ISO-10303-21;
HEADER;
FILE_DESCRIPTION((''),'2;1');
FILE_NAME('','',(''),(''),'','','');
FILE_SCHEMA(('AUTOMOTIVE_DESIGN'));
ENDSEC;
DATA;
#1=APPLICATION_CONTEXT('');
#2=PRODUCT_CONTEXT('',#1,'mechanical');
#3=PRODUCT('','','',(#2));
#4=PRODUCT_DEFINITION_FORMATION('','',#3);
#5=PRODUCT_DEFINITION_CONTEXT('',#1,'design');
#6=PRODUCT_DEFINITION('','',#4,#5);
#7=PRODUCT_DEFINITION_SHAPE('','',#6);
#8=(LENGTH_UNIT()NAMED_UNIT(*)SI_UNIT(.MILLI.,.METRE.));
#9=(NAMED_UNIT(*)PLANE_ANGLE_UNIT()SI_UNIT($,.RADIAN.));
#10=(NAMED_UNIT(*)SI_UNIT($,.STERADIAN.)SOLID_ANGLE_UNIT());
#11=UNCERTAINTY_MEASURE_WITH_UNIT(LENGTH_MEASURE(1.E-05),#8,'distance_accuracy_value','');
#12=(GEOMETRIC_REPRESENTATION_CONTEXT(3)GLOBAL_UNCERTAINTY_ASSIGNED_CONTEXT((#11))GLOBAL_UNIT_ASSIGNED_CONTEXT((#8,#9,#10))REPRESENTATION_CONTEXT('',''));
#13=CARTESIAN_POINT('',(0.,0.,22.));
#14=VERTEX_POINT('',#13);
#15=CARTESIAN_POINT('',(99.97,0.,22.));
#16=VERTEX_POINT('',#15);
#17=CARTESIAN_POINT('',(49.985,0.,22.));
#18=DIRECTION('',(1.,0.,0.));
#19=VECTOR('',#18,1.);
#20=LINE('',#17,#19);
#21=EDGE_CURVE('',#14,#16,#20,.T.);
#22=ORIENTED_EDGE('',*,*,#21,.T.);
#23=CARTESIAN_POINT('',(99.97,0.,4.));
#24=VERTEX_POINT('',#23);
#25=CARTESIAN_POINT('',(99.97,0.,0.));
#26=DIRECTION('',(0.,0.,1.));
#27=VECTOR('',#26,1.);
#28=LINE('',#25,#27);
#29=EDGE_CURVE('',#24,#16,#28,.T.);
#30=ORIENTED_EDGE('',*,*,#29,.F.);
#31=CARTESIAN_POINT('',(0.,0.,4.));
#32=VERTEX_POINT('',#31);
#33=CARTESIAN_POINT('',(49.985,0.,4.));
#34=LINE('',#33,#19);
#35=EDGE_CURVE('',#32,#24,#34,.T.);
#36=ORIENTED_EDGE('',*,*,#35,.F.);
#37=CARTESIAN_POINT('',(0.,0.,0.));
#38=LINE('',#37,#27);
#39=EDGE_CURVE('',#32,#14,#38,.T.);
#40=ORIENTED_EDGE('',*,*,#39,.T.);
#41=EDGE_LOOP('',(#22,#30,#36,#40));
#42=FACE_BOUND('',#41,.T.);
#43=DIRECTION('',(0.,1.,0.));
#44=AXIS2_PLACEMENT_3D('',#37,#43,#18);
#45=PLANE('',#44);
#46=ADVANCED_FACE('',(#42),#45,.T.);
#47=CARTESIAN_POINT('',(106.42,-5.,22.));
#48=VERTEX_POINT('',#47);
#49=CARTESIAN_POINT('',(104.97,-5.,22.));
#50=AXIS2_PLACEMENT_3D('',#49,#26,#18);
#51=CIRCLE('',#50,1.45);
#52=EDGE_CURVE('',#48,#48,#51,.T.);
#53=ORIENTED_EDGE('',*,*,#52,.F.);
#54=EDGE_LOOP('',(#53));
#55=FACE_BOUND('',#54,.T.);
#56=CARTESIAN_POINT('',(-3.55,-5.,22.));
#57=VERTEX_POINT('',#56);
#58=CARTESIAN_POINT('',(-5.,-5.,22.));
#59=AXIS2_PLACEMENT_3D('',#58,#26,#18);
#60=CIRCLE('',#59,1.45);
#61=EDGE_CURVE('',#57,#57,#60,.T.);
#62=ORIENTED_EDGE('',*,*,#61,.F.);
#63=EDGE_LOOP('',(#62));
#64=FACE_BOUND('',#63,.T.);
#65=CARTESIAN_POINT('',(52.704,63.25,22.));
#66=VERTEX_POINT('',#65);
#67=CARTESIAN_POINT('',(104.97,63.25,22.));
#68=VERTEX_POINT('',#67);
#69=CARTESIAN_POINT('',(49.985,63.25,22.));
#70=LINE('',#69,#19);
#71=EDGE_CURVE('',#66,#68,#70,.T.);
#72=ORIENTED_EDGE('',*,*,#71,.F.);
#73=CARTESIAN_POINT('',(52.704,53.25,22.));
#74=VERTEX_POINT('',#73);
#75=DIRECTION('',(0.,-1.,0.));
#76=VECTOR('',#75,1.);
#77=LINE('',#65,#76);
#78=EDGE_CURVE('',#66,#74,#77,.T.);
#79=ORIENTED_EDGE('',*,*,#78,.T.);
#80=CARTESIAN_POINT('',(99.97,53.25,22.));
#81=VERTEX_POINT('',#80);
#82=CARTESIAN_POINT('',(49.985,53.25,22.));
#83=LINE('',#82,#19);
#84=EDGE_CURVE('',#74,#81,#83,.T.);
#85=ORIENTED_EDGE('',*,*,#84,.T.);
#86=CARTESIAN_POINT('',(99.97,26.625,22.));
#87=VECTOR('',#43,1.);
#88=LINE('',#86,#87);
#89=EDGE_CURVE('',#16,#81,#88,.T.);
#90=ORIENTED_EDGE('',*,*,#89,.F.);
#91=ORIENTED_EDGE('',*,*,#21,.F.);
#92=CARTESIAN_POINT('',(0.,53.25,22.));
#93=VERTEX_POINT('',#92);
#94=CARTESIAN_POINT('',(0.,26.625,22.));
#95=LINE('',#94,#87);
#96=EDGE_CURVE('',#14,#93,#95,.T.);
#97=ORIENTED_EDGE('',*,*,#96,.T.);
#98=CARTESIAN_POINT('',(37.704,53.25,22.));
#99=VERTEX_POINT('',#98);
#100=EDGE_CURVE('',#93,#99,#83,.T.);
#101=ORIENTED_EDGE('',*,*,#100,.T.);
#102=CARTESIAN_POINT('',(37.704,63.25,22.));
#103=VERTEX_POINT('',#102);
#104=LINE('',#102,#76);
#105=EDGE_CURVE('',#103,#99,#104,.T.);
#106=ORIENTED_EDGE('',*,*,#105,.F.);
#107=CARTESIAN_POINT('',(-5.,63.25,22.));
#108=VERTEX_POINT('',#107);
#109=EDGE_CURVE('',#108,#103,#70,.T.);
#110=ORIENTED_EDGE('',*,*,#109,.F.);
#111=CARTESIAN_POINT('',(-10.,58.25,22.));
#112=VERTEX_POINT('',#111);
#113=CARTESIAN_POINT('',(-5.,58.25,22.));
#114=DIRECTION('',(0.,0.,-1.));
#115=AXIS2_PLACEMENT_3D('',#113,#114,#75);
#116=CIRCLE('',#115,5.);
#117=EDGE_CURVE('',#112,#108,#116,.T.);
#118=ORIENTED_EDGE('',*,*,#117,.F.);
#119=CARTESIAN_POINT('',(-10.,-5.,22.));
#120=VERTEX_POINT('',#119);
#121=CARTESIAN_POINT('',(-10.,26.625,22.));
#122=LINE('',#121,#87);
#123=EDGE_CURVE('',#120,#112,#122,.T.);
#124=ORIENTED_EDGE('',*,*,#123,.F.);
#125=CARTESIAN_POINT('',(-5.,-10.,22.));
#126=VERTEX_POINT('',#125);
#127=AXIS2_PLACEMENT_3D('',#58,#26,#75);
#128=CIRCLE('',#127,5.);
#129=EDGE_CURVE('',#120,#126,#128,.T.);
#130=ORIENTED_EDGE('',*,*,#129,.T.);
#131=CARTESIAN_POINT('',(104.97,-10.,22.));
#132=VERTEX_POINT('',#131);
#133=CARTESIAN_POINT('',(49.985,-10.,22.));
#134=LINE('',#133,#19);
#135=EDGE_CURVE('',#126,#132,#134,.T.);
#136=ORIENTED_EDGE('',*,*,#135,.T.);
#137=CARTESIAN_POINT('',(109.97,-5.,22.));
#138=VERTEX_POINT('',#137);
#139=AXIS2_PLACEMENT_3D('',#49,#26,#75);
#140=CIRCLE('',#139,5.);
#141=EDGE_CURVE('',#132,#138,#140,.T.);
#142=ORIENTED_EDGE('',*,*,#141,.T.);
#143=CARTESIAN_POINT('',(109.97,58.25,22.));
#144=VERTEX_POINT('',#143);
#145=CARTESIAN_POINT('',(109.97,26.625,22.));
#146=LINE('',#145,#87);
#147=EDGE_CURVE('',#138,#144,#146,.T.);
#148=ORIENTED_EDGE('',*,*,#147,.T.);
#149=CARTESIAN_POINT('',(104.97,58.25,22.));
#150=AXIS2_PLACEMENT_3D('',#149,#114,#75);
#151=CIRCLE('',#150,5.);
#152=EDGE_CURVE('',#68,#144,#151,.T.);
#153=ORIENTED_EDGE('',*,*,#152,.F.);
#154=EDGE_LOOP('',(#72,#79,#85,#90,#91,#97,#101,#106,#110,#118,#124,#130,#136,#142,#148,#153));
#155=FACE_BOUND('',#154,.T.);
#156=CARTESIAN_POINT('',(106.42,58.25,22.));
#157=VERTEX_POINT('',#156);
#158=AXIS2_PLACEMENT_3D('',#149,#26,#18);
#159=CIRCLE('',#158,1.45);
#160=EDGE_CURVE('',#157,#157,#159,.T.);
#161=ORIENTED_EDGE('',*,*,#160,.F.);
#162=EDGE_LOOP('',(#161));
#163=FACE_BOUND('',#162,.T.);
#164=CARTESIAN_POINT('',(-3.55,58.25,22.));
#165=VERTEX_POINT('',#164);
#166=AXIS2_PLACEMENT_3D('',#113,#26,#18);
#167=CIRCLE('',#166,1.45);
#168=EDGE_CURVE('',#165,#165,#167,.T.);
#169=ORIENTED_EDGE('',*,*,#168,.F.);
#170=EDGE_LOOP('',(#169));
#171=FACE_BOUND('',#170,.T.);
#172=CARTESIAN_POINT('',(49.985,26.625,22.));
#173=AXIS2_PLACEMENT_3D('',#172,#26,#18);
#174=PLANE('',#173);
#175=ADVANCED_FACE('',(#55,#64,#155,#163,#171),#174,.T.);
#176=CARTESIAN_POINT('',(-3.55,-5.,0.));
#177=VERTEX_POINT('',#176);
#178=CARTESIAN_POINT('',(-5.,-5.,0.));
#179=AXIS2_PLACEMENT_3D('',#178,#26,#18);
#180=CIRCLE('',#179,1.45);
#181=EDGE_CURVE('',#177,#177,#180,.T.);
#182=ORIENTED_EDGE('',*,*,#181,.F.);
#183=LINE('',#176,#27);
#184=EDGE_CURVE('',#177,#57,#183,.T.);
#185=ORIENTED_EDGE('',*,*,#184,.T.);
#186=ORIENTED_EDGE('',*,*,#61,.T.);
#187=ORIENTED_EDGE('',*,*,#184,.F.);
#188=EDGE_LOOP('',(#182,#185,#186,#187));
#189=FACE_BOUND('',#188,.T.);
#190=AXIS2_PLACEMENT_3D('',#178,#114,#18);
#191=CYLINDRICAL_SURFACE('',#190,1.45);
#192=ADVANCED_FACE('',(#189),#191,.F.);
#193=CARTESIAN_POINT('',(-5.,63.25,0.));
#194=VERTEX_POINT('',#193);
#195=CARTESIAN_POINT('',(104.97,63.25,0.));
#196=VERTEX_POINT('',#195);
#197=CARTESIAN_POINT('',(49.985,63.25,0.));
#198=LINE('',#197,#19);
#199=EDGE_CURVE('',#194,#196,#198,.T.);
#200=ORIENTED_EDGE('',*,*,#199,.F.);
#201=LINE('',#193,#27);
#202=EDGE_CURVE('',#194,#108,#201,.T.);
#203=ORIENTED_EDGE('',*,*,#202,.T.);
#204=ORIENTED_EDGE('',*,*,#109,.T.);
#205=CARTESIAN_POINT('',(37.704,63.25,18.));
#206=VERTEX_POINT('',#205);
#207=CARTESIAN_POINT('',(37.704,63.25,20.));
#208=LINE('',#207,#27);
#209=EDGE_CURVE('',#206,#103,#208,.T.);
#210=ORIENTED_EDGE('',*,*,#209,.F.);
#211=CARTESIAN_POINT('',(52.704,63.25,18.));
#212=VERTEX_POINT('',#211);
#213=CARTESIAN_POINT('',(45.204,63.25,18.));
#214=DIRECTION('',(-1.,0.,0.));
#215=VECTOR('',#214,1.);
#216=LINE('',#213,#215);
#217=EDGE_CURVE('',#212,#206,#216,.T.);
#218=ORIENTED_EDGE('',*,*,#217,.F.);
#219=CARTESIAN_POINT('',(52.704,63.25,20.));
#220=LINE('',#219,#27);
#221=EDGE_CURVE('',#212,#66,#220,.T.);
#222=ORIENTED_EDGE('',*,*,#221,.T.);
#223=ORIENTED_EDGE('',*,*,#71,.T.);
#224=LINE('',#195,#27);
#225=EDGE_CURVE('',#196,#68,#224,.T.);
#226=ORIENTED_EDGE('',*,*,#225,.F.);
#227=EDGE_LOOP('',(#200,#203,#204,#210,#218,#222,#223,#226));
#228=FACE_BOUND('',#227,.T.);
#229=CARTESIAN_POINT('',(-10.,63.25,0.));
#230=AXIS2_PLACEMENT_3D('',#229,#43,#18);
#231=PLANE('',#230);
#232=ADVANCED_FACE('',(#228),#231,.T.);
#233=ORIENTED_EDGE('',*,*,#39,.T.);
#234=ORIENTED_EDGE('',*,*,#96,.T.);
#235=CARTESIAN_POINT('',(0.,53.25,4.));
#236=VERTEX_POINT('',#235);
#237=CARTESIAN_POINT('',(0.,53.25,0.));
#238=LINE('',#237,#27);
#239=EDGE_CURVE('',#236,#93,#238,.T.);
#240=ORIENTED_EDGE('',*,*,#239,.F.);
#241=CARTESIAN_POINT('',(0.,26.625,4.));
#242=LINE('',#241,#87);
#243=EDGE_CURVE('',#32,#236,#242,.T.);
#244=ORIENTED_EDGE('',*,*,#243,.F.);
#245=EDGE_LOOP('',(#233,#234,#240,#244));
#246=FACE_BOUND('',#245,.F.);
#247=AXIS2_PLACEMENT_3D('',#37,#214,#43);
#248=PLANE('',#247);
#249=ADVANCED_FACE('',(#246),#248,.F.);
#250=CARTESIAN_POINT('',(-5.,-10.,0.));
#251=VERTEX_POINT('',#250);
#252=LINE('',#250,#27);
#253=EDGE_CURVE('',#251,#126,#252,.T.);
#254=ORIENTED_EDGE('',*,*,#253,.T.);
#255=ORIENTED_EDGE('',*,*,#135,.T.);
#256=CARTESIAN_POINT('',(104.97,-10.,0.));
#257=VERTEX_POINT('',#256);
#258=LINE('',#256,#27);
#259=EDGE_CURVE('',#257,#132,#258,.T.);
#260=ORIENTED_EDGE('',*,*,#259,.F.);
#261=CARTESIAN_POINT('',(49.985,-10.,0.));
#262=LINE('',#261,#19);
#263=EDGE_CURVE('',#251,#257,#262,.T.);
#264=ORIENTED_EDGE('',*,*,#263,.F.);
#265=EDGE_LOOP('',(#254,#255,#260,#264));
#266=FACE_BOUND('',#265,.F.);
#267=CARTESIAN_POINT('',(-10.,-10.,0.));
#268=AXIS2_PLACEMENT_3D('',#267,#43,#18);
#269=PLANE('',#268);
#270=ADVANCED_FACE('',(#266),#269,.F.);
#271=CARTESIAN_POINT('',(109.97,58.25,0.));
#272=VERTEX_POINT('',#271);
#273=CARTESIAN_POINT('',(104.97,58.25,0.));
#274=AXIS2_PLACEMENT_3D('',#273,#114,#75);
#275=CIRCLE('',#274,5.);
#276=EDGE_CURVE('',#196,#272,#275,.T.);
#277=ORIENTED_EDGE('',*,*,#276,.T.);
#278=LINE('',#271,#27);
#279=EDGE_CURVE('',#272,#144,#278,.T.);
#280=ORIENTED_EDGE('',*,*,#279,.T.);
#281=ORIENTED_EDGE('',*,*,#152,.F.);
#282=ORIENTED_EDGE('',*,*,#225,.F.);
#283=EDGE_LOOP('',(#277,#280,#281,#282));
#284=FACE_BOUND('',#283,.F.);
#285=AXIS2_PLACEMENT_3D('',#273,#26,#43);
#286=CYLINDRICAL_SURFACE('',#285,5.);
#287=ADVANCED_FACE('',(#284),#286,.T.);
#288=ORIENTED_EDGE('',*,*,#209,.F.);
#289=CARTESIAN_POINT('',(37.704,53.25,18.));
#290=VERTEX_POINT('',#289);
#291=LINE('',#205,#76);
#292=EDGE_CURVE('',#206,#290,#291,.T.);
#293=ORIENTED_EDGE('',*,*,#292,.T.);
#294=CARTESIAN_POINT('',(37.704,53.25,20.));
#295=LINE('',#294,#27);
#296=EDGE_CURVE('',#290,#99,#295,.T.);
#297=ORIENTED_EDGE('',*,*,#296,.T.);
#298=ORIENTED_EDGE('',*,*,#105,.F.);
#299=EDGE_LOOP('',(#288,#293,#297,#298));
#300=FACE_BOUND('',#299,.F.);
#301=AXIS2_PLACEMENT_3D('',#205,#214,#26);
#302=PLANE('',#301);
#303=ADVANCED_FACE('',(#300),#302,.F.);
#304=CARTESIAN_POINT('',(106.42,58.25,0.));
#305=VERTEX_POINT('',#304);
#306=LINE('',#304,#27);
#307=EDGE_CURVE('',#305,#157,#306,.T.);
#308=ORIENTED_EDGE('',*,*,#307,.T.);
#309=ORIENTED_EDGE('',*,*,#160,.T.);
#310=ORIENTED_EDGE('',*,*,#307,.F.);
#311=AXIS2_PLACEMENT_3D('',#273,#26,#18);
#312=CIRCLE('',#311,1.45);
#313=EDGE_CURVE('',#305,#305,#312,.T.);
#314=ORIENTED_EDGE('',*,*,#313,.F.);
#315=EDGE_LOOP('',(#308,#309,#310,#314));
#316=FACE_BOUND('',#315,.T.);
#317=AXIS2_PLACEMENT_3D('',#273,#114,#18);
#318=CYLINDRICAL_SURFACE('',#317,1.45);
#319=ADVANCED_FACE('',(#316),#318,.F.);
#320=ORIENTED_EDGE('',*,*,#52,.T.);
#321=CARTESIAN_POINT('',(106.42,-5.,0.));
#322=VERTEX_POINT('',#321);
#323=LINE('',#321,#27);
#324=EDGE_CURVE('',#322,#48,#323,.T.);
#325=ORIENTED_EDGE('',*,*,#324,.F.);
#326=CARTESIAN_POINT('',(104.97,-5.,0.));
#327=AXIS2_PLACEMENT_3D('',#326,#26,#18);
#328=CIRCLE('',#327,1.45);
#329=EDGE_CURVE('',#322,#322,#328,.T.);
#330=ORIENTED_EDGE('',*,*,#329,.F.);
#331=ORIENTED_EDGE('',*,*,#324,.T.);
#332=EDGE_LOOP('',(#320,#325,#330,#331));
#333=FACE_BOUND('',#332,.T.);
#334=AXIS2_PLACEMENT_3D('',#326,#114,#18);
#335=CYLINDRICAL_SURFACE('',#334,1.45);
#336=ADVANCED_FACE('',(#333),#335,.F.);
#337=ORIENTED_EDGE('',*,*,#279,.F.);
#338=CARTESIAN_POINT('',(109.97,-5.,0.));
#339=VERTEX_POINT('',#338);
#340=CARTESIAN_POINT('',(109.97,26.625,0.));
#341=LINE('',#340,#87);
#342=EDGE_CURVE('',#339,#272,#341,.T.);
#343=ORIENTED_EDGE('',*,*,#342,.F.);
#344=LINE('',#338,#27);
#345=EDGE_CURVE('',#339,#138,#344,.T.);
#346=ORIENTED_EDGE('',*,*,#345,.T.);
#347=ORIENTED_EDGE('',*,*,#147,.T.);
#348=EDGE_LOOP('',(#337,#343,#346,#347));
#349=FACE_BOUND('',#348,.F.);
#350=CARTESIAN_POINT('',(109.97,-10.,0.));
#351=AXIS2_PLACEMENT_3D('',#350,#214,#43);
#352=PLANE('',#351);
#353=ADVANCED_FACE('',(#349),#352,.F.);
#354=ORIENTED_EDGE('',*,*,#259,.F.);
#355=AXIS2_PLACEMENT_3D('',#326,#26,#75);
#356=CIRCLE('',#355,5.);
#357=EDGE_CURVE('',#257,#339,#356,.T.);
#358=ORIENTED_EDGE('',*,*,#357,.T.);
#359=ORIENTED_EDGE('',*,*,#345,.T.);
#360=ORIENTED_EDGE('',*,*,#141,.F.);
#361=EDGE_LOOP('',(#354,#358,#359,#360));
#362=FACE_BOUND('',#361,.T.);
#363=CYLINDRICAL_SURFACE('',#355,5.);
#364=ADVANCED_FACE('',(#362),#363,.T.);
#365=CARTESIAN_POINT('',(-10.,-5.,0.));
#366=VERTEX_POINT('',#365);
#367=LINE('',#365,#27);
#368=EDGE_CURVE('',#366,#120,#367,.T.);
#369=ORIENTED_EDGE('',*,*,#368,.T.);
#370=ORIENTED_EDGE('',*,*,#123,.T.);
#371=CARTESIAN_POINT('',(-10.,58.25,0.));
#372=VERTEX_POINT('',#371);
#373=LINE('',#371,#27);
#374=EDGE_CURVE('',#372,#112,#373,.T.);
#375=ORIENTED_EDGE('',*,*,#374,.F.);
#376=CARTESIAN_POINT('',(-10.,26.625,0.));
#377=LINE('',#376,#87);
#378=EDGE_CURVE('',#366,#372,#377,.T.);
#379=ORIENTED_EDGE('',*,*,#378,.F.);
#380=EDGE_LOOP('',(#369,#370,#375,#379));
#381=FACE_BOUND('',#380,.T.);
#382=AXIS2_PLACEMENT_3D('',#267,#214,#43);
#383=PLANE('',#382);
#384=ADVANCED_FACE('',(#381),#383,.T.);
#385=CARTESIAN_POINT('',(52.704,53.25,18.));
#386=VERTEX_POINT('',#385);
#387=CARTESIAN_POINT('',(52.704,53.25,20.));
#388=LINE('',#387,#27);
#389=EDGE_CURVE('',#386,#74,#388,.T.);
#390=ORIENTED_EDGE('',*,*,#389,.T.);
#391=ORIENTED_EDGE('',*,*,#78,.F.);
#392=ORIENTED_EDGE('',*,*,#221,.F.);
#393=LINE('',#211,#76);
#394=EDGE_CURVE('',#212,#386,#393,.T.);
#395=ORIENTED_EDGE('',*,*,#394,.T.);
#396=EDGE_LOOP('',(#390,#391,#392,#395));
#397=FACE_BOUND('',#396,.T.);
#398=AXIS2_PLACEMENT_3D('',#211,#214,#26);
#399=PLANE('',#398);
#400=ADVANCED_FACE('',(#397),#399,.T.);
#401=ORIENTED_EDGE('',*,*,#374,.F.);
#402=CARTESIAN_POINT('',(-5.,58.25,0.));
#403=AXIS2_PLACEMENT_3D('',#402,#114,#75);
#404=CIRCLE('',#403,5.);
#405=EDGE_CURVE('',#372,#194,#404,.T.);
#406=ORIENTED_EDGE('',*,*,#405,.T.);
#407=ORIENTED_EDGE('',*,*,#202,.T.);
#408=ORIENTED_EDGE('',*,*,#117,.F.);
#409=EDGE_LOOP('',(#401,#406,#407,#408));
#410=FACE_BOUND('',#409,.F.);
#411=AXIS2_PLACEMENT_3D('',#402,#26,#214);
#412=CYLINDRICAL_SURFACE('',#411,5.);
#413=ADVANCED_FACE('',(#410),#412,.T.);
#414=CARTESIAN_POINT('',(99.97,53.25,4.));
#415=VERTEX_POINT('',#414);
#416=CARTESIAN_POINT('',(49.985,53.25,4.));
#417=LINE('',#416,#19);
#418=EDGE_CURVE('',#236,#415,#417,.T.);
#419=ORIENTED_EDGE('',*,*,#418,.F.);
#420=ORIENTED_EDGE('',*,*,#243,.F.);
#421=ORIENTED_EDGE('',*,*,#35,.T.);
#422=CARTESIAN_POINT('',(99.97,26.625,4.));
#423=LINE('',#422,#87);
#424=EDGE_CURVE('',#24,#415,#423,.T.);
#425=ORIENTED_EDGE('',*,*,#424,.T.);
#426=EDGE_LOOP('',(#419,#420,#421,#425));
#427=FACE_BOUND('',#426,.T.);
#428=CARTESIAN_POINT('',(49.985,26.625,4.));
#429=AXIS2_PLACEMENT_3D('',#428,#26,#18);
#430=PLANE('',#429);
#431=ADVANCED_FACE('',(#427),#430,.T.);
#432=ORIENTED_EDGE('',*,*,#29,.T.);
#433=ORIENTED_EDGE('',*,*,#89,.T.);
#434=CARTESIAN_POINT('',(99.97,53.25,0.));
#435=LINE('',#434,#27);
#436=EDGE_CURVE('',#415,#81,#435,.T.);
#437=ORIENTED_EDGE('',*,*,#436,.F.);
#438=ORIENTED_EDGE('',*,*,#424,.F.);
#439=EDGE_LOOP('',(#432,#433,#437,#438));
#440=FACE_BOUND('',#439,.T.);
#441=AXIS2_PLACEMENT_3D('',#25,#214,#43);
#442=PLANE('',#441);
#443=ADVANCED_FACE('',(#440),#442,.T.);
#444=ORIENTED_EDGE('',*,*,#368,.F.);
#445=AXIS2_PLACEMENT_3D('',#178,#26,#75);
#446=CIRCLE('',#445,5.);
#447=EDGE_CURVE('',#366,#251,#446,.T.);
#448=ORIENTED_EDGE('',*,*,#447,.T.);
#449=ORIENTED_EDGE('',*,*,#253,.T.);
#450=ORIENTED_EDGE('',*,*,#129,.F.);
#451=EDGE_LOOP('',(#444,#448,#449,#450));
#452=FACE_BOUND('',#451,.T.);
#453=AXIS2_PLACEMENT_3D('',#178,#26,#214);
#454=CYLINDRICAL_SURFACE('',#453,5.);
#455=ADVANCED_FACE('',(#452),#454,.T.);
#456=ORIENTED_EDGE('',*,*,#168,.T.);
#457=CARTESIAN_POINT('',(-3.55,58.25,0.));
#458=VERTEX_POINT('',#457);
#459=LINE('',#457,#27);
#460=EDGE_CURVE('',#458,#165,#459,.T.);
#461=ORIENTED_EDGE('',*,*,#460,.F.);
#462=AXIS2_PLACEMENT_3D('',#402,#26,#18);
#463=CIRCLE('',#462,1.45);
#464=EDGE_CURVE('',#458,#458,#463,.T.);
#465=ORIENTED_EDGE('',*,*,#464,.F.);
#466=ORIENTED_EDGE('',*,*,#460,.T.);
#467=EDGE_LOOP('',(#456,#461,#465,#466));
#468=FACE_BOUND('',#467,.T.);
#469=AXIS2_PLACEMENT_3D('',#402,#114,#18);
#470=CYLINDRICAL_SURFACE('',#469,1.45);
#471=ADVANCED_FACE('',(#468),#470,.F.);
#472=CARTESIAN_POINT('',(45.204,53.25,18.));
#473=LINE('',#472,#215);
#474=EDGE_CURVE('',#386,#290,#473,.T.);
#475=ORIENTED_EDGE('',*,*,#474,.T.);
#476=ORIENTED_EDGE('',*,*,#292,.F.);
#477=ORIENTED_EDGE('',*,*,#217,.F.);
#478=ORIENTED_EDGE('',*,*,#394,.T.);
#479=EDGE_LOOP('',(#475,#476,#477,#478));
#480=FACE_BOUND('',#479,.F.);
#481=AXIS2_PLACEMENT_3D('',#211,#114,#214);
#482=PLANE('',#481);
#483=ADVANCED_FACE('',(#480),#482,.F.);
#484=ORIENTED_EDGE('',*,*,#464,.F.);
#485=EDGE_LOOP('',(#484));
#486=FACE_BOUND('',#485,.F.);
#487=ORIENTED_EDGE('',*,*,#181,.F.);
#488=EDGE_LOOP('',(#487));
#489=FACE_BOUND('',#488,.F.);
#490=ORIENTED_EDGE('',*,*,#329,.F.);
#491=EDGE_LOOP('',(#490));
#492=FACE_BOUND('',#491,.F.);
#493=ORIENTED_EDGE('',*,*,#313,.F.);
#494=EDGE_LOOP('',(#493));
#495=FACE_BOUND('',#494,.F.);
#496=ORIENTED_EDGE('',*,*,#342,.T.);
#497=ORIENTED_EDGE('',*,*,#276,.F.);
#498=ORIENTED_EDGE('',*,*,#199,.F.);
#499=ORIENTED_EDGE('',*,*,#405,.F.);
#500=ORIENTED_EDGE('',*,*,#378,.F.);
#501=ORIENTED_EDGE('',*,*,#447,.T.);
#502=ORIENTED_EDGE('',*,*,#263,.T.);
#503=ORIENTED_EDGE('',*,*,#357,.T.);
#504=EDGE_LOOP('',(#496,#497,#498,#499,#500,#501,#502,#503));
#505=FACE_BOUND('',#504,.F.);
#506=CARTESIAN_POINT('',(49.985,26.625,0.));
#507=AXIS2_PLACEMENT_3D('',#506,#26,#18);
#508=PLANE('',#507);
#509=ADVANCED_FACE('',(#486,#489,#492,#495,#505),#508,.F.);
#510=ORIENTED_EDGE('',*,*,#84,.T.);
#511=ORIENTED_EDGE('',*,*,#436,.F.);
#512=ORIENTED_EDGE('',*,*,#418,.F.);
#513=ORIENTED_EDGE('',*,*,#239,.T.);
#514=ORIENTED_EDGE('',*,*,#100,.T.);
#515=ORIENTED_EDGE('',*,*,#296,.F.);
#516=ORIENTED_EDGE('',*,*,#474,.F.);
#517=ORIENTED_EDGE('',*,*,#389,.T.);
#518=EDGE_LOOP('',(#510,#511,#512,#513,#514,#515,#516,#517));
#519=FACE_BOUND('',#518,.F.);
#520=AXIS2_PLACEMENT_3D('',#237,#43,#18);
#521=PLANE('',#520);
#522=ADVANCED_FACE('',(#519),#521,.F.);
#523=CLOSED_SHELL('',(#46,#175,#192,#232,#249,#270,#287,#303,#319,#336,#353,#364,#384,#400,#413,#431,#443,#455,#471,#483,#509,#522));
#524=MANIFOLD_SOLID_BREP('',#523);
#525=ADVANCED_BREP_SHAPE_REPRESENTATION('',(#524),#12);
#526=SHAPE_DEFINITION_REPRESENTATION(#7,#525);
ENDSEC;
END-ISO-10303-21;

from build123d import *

# Parameters (mm, degrees)
SKETCH004_W      = 15
SKETCH004_H      = 4
EXTRUDE004_DEPTH = 10
SKETCH001_W      = 119.97
SKETCH001_H      = 73.25
SKETCH001_R      = 1.45
SKETCH001_W_2    = 99.97
SKETCH001_H_2    = 53.25
EXTRUDE001_DEPTH = 22
SKETCH_W         = 99.97
SKETCH_H         = 53.25
EXTRUDE_DEPTH    = 4
FILLET_R         = 5


with BuildPart() as extrude004:
    # Sketch004 (on Face4 of Fusion) → Extrude004 (new body)
    with BuildSketch(Plane(origin=(0, 63.25, 0), x_dir=(-1, 0, 0), z_dir=(0, 1, 0))):
        with Locations((-45.204, 20)):
            Rectangle(SKETCH004_W, SKETCH004_H)
    extrude(amount=-EXTRUDE004_DEPTH)


with BuildPart() as extrude001:
    # Sketch001 (on Sketch) → Extrude001 (new body)
    with BuildSketch(Plane.XY):
        with Locations((49.985, 26.625)):
            Rectangle(SKETCH001_W, SKETCH001_H)
        with Locations((104.97, 58.25)):
            Circle(SKETCH001_R, mode=Mode.SUBTRACT)
        with Locations((104.97, -5)):
            Circle(SKETCH001_R, mode=Mode.SUBTRACT)
        with Locations((-5, -5)):
            Circle(SKETCH001_R, mode=Mode.SUBTRACT)
        with Locations((-5, 58.25)):
            Circle(SKETCH001_R, mode=Mode.SUBTRACT)
        with Locations((49.985, 26.625)):
            Rectangle(SKETCH001_W_2, SKETCH001_H_2, mode=Mode.SUBTRACT)
    extrude(amount=EXTRUDE001_DEPTH)


with BuildPart() as fillet_body:
    # Sketch → Extrude (new body)
    with BuildSketch(Plane.XY):
        with Locations((49.985, 26.625)):
            Rectangle(SKETCH_W, SKETCH_H)
    extrude(amount=EXTRUDE_DEPTH)

    # Fusion: union Extrude001
    add(extrude001.part)

    # Cut001: cut Extrude004
    add(extrude004.part, mode=Mode.SUBTRACT)

    # Fillet
    fillet_edges = [fillet_body.edges().sort_by_distance(p)[0] for p in [
        (-10, 63.25, 11),
        (-10, -10, 11),
        (109.97, 63.25, 11),
        (109.97, -10, 11),
    ]]
    fillet(fillet_edges, radius=FILLET_R)


solid = fillet_body.part
